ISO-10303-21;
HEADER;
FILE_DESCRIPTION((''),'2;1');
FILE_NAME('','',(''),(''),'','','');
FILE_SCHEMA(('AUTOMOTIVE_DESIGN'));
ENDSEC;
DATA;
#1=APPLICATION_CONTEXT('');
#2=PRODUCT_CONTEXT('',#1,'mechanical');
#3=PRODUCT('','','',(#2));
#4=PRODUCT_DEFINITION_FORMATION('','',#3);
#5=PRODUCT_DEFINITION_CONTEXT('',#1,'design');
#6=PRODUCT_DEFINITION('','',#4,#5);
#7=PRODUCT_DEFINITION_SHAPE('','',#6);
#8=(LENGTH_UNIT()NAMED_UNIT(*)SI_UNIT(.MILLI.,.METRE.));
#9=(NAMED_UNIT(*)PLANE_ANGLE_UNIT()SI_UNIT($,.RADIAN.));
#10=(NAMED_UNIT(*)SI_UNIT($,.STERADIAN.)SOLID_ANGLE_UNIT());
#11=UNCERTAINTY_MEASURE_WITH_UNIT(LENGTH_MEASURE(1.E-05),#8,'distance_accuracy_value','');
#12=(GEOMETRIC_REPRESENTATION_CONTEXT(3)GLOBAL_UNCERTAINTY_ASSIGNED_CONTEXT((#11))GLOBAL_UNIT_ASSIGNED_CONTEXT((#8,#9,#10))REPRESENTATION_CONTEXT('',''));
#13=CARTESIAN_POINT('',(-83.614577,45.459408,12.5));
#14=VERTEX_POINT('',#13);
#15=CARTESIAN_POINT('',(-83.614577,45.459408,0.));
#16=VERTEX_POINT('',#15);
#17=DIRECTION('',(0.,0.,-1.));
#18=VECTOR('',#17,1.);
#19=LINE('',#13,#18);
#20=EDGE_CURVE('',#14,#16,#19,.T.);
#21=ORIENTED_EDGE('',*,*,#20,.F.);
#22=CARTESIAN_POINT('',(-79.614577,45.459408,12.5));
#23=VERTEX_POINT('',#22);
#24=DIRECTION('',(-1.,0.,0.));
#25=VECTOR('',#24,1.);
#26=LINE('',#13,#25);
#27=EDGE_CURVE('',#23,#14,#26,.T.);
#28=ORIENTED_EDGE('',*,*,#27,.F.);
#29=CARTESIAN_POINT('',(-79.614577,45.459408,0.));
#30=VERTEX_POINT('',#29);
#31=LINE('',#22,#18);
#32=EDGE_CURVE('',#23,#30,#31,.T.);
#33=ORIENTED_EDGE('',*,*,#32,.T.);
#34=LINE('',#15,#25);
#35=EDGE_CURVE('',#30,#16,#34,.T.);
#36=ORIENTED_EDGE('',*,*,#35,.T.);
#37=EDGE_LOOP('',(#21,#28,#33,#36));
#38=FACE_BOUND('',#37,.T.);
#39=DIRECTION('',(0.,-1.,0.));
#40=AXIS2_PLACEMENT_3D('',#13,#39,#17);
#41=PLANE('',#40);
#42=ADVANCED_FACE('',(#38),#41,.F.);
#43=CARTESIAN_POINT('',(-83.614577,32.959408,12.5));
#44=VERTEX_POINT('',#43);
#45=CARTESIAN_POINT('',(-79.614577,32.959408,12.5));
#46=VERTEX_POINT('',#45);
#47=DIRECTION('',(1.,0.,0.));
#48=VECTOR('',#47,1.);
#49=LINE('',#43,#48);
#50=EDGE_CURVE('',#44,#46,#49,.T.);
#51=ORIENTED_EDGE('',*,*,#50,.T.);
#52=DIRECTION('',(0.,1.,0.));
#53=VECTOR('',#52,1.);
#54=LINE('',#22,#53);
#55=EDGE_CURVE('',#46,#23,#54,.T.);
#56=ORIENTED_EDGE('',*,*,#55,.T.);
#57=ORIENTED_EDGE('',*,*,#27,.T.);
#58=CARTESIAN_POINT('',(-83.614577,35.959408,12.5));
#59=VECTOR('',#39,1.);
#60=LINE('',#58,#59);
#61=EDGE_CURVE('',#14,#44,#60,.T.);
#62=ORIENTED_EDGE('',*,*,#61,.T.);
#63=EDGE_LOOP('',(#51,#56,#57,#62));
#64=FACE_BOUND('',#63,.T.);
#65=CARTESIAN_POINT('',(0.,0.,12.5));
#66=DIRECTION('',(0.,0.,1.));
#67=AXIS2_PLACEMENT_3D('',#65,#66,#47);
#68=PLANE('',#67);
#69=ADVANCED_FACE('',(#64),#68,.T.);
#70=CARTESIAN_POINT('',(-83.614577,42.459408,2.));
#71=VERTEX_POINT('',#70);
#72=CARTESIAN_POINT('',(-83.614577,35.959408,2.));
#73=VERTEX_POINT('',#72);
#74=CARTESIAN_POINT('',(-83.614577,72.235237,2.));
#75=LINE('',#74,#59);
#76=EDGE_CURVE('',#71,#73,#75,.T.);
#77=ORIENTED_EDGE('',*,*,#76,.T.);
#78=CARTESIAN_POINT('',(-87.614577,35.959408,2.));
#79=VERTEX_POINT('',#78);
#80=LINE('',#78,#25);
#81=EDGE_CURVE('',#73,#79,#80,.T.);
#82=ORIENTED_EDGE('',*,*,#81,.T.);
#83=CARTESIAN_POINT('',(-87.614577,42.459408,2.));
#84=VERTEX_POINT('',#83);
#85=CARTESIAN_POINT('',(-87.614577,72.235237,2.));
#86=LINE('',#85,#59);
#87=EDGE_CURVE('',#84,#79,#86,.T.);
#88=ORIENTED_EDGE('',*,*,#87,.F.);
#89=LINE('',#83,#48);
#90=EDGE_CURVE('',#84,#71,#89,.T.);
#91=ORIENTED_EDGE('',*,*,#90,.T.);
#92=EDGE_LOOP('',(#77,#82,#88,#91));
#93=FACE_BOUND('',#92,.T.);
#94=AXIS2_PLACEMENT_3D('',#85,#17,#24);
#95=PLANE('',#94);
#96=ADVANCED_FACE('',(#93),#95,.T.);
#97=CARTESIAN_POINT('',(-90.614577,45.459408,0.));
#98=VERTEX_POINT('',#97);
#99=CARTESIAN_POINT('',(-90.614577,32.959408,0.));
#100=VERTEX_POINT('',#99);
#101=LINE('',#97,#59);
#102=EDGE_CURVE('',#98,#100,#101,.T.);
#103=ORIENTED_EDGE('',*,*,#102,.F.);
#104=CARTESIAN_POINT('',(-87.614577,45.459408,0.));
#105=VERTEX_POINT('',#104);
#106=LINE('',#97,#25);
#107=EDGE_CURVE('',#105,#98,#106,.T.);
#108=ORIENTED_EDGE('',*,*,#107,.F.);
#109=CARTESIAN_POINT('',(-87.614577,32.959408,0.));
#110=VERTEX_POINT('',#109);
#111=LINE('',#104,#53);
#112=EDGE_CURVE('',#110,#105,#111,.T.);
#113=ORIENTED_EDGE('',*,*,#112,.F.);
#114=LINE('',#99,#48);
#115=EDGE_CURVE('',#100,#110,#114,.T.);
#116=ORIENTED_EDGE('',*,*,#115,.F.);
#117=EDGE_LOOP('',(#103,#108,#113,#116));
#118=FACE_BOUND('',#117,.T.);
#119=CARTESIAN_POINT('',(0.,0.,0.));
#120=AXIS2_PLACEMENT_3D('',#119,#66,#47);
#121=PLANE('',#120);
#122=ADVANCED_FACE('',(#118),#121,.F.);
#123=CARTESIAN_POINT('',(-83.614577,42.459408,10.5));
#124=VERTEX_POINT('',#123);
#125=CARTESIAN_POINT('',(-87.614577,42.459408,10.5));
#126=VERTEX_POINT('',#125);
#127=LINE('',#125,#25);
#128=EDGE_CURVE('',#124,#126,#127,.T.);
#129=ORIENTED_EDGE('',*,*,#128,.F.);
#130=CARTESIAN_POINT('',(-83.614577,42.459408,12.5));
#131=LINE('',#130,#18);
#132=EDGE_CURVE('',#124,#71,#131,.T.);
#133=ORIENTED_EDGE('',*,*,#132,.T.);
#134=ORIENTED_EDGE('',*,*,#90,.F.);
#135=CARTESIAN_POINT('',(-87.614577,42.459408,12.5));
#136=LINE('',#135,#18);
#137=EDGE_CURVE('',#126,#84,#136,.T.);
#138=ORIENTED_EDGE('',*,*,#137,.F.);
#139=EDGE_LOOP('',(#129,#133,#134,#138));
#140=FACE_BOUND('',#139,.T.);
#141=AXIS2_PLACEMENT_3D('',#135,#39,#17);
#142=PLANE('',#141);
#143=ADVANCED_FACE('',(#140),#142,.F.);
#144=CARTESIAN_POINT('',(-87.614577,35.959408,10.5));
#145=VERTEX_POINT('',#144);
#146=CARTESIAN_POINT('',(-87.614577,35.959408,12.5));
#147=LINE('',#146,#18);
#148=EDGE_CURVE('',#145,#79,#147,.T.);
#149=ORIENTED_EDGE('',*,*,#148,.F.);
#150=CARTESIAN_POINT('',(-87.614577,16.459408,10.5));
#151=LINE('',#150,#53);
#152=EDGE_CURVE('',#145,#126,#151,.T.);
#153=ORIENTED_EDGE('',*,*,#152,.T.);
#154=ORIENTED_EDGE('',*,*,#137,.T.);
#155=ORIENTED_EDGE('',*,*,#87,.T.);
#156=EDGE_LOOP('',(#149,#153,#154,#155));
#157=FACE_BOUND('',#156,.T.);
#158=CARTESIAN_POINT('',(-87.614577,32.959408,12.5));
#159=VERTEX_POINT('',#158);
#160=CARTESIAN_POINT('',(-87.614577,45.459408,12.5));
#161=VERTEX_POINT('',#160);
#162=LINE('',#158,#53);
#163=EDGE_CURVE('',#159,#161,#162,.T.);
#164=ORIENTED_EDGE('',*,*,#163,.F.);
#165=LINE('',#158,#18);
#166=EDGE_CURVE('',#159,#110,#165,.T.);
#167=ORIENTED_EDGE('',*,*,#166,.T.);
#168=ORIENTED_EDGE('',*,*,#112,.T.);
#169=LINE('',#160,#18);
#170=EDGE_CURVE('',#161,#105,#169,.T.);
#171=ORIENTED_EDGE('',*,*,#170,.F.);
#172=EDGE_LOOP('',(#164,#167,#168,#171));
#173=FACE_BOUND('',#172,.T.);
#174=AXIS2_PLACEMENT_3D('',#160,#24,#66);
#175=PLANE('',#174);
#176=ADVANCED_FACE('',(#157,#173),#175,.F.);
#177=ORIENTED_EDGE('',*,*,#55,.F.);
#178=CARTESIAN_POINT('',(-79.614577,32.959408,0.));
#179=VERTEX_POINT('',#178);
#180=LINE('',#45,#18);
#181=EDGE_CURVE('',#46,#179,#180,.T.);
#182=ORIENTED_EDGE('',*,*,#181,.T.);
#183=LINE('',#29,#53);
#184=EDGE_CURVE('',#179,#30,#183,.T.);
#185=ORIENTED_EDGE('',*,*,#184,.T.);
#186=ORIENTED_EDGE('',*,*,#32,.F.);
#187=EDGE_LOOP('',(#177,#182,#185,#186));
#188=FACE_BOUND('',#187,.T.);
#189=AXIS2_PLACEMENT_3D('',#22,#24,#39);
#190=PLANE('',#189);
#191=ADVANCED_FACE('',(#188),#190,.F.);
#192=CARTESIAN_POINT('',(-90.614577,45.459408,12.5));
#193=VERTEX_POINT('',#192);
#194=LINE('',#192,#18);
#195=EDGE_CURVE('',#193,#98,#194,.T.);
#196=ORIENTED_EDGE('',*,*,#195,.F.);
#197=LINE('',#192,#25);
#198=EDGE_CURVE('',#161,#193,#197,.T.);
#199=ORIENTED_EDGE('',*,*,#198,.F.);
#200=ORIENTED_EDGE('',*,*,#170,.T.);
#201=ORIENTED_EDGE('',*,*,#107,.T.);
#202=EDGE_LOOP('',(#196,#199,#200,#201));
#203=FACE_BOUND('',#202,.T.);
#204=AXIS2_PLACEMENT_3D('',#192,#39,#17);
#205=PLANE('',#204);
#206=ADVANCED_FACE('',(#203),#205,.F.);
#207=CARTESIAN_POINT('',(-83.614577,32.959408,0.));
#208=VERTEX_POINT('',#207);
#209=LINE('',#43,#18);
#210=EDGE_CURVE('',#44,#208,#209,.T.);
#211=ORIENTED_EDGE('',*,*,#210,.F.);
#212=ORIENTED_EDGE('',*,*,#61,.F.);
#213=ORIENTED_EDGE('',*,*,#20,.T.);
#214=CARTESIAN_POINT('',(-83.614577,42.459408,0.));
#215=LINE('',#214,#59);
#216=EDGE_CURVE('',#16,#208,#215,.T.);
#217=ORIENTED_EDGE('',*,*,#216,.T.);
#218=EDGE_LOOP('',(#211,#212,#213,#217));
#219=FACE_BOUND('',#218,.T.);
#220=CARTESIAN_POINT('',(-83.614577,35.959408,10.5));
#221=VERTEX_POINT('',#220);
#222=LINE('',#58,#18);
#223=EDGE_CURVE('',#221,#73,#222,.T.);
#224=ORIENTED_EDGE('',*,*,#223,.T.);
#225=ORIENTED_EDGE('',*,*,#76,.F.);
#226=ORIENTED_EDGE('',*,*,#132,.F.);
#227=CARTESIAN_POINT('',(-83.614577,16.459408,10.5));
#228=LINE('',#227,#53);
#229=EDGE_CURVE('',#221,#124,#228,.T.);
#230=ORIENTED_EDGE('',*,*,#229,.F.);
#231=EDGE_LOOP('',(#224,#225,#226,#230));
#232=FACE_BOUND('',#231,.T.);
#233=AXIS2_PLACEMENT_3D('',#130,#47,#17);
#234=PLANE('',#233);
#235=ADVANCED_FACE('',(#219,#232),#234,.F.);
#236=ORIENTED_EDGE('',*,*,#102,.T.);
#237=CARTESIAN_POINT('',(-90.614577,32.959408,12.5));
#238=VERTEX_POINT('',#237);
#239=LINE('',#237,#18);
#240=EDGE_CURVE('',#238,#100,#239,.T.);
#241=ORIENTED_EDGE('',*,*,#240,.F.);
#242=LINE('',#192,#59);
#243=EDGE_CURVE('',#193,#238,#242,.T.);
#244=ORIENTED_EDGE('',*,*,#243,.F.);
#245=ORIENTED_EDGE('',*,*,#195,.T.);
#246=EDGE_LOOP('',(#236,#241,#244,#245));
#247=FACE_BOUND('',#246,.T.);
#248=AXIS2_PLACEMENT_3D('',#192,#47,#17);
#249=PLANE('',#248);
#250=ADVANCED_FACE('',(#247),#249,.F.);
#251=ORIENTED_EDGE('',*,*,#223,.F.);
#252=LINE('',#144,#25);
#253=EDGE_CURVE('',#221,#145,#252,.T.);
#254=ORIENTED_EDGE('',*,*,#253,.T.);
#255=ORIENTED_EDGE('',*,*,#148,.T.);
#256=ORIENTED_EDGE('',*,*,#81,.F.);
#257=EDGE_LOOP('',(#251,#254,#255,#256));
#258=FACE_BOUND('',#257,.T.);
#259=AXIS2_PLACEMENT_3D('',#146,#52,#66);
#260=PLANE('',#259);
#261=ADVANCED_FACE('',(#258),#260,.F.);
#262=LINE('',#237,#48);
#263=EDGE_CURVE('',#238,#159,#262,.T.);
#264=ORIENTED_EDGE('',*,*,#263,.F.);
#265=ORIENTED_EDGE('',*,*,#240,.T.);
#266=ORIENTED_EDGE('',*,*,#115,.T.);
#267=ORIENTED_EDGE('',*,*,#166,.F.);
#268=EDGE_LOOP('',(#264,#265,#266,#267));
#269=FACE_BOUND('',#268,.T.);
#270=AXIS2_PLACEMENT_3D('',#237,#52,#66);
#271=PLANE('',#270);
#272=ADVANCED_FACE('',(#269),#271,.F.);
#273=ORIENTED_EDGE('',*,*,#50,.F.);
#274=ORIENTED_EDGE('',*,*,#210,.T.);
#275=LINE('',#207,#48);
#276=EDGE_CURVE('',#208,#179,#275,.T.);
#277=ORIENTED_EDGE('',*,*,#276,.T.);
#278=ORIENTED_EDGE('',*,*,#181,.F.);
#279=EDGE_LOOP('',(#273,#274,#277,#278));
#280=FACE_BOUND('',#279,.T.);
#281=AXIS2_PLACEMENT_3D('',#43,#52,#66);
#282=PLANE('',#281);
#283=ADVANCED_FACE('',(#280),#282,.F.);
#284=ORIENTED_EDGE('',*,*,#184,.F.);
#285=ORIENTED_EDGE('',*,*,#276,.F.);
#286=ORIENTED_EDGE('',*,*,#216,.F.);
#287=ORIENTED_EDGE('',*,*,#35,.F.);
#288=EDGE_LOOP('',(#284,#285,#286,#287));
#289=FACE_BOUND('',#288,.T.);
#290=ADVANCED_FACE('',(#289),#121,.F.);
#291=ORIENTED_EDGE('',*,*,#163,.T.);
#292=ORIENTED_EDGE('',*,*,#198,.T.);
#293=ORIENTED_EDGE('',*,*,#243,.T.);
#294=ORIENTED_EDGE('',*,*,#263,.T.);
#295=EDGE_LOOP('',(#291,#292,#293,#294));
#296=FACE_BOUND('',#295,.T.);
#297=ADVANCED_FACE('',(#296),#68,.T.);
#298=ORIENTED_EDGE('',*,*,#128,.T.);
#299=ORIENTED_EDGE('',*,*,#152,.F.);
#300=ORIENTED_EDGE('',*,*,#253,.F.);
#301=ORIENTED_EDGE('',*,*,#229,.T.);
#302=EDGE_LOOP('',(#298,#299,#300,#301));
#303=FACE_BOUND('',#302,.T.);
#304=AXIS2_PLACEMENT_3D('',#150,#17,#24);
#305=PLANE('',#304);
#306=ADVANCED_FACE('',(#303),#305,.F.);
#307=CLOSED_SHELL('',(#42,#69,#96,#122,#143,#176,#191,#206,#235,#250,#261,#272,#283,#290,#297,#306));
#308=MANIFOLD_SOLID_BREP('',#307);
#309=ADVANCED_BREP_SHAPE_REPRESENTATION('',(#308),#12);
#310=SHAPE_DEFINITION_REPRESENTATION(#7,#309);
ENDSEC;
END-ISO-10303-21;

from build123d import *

# Parameters (mm, degrees)
BOSS_EXTRUDE2_DEPTH      = 12.5
SKETCH7_W                = 4
SKETCH7_H                = 2
CUT_EXTRUDE10_DEPTH      = 26
CUT_EXTRUDE11_DEPTH      = 4
CUT_EXTRUDE11_DEPTH_BACK = 10.5


with BuildPart() as part:
    # Sketch1 → Boss-Extrude2 (new body)
    with BuildSketch(Plane.XY):
        Polygon((-90.614577373, 45.459408198), (-87.614577373, 45.459408198), (-87.614577373, 42.459408198), (-83.614577373, 42.459408198), (-83.614577373, 45.459408198), (-79.614577373, 45.459408198), (-79.614577373, 32.959408198), (-83.614577373, 32.959408198), (-83.614577373, 35.959408198), (-87.614577373, 35.959408198), (-87.614577373, 32.959408198), (-90.614577373, 32.959408198), align=None)
    extrude(amount=BOSS_EXTRUDE2_DEPTH)

    # Sketch7 → Cut-Extrude10 (cut)
    with BuildSketch(Plane(origin=(0, 42.459408198, 0), x_dir=(1, 0, 0), z_dir=(0, 1, 0))):
        with Locations((-85.614577373, -11.5)):
            Rectangle(SKETCH7_W, SKETCH7_H)
    extrude(amount=-CUT_EXTRUDE10_DEPTH, mode=Mode.SUBTRACT)

    # Sketch8 → Cut-Extrude11 (cut, two sides)
    with BuildSketch(Plane(origin=(0, 42.459408198, 0), x_dir=(1, 0, 0), z_dir=(0, 1, 0))) as cut_extrude11_sk:
        Polygon((-87.614577373, 39.681644159), (-87.614577373, 0), (-87.614577373, -2), (-83.614577373, -2), (-83.614577373, 0), (-83.614577373, 39.681644159), (-83.614577373, 119.044932478), (-87.614577373, 119.044932478), align=None)
    extrude(amount=CUT_EXTRUDE11_DEPTH, mode=Mode.SUBTRACT)
    extrude(cut_extrude11_sk.sketch, amount=-CUT_EXTRUDE11_DEPTH_BACK, mode=Mode.SUBTRACT)


solid = part.part
